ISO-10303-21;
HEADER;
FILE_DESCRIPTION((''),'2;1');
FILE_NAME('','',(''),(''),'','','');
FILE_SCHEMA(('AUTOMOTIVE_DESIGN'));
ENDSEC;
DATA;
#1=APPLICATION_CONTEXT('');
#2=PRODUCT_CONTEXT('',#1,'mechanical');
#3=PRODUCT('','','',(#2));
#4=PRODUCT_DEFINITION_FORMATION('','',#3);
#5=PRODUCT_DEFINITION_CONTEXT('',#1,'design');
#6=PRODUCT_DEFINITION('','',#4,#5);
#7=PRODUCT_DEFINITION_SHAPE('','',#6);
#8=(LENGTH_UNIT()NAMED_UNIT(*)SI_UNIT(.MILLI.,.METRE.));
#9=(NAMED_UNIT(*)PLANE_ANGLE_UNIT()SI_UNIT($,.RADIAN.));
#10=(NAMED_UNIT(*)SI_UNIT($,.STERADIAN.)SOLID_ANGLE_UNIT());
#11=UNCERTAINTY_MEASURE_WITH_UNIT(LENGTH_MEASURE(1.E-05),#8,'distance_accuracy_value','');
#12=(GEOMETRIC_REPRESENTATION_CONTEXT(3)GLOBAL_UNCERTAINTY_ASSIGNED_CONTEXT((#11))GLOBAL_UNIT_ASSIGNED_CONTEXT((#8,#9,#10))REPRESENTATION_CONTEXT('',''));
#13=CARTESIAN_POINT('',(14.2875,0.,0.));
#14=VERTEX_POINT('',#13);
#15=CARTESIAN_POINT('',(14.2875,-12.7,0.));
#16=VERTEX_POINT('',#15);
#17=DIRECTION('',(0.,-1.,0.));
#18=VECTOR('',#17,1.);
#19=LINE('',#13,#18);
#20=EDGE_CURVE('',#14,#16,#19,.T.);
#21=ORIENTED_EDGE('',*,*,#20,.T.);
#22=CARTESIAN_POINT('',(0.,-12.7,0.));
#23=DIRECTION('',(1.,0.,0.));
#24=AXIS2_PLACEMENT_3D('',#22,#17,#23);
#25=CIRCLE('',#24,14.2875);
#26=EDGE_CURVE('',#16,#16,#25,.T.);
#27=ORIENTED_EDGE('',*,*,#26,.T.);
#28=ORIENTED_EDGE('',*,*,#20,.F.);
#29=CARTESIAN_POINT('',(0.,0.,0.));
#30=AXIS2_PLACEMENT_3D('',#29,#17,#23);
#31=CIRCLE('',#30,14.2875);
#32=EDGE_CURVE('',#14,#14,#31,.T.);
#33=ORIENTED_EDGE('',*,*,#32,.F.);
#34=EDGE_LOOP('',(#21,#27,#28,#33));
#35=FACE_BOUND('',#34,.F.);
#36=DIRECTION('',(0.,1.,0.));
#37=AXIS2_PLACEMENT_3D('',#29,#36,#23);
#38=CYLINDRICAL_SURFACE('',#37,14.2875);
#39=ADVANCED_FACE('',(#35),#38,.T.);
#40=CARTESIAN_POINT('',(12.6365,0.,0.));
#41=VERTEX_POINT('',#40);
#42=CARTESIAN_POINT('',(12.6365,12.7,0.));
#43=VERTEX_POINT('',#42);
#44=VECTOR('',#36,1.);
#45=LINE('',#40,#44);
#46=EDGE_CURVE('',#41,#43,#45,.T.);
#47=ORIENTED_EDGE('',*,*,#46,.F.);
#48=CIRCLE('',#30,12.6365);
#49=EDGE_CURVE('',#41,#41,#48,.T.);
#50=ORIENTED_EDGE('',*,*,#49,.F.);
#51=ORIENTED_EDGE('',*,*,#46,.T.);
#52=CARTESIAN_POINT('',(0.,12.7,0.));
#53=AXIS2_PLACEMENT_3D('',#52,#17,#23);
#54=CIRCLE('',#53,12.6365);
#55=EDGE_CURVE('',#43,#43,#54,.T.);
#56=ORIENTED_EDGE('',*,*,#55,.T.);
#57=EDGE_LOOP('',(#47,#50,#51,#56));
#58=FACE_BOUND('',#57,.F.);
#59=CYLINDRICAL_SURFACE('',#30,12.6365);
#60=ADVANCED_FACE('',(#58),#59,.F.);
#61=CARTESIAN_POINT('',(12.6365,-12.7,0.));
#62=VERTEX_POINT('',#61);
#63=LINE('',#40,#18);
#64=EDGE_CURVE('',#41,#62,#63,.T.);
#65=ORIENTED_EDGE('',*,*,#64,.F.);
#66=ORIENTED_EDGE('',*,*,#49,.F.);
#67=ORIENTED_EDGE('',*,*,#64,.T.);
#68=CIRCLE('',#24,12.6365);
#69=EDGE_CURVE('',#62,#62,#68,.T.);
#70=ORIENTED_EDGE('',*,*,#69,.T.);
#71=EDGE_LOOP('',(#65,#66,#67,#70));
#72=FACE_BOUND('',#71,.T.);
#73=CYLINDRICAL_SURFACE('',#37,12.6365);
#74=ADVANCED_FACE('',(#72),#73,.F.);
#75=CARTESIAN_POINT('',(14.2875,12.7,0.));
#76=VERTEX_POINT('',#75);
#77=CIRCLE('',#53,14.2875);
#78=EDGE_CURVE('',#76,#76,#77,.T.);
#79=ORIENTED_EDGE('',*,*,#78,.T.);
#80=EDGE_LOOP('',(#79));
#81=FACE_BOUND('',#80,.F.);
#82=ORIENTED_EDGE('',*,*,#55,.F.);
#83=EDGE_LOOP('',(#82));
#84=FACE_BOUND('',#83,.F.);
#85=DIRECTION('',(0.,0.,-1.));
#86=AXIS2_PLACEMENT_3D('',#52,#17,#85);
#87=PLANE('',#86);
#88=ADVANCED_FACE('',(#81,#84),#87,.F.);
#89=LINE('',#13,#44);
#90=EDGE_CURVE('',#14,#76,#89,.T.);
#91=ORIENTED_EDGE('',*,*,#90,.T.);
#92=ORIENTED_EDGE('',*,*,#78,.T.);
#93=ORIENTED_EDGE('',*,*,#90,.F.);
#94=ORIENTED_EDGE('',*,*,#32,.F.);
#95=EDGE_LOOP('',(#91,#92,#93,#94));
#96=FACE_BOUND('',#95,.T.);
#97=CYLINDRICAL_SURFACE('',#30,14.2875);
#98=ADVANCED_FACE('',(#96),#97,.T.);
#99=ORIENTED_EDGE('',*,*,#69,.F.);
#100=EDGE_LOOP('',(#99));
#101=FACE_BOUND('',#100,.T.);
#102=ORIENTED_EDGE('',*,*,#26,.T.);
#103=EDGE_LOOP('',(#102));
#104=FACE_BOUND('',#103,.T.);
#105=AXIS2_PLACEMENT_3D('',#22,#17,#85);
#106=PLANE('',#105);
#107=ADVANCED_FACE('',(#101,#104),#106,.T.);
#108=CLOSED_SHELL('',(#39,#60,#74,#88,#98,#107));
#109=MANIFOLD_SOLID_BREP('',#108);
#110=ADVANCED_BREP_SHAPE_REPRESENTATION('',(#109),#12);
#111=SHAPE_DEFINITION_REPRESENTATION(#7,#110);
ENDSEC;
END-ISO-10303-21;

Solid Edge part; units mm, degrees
sketch "Sketch1" plane through (0, 0, 0) normal (0, -1, 0) x (1, 0, 0)
  circle A0 centre (0, 0) radius 14.2875
  circle A1 centre (0, 0) radius 12.6365
  dimension "D1" = 1.651
extrude "Protrusion1" add sketch "Sketch1" along normal mid plane 25.4
properties material "Steel"
